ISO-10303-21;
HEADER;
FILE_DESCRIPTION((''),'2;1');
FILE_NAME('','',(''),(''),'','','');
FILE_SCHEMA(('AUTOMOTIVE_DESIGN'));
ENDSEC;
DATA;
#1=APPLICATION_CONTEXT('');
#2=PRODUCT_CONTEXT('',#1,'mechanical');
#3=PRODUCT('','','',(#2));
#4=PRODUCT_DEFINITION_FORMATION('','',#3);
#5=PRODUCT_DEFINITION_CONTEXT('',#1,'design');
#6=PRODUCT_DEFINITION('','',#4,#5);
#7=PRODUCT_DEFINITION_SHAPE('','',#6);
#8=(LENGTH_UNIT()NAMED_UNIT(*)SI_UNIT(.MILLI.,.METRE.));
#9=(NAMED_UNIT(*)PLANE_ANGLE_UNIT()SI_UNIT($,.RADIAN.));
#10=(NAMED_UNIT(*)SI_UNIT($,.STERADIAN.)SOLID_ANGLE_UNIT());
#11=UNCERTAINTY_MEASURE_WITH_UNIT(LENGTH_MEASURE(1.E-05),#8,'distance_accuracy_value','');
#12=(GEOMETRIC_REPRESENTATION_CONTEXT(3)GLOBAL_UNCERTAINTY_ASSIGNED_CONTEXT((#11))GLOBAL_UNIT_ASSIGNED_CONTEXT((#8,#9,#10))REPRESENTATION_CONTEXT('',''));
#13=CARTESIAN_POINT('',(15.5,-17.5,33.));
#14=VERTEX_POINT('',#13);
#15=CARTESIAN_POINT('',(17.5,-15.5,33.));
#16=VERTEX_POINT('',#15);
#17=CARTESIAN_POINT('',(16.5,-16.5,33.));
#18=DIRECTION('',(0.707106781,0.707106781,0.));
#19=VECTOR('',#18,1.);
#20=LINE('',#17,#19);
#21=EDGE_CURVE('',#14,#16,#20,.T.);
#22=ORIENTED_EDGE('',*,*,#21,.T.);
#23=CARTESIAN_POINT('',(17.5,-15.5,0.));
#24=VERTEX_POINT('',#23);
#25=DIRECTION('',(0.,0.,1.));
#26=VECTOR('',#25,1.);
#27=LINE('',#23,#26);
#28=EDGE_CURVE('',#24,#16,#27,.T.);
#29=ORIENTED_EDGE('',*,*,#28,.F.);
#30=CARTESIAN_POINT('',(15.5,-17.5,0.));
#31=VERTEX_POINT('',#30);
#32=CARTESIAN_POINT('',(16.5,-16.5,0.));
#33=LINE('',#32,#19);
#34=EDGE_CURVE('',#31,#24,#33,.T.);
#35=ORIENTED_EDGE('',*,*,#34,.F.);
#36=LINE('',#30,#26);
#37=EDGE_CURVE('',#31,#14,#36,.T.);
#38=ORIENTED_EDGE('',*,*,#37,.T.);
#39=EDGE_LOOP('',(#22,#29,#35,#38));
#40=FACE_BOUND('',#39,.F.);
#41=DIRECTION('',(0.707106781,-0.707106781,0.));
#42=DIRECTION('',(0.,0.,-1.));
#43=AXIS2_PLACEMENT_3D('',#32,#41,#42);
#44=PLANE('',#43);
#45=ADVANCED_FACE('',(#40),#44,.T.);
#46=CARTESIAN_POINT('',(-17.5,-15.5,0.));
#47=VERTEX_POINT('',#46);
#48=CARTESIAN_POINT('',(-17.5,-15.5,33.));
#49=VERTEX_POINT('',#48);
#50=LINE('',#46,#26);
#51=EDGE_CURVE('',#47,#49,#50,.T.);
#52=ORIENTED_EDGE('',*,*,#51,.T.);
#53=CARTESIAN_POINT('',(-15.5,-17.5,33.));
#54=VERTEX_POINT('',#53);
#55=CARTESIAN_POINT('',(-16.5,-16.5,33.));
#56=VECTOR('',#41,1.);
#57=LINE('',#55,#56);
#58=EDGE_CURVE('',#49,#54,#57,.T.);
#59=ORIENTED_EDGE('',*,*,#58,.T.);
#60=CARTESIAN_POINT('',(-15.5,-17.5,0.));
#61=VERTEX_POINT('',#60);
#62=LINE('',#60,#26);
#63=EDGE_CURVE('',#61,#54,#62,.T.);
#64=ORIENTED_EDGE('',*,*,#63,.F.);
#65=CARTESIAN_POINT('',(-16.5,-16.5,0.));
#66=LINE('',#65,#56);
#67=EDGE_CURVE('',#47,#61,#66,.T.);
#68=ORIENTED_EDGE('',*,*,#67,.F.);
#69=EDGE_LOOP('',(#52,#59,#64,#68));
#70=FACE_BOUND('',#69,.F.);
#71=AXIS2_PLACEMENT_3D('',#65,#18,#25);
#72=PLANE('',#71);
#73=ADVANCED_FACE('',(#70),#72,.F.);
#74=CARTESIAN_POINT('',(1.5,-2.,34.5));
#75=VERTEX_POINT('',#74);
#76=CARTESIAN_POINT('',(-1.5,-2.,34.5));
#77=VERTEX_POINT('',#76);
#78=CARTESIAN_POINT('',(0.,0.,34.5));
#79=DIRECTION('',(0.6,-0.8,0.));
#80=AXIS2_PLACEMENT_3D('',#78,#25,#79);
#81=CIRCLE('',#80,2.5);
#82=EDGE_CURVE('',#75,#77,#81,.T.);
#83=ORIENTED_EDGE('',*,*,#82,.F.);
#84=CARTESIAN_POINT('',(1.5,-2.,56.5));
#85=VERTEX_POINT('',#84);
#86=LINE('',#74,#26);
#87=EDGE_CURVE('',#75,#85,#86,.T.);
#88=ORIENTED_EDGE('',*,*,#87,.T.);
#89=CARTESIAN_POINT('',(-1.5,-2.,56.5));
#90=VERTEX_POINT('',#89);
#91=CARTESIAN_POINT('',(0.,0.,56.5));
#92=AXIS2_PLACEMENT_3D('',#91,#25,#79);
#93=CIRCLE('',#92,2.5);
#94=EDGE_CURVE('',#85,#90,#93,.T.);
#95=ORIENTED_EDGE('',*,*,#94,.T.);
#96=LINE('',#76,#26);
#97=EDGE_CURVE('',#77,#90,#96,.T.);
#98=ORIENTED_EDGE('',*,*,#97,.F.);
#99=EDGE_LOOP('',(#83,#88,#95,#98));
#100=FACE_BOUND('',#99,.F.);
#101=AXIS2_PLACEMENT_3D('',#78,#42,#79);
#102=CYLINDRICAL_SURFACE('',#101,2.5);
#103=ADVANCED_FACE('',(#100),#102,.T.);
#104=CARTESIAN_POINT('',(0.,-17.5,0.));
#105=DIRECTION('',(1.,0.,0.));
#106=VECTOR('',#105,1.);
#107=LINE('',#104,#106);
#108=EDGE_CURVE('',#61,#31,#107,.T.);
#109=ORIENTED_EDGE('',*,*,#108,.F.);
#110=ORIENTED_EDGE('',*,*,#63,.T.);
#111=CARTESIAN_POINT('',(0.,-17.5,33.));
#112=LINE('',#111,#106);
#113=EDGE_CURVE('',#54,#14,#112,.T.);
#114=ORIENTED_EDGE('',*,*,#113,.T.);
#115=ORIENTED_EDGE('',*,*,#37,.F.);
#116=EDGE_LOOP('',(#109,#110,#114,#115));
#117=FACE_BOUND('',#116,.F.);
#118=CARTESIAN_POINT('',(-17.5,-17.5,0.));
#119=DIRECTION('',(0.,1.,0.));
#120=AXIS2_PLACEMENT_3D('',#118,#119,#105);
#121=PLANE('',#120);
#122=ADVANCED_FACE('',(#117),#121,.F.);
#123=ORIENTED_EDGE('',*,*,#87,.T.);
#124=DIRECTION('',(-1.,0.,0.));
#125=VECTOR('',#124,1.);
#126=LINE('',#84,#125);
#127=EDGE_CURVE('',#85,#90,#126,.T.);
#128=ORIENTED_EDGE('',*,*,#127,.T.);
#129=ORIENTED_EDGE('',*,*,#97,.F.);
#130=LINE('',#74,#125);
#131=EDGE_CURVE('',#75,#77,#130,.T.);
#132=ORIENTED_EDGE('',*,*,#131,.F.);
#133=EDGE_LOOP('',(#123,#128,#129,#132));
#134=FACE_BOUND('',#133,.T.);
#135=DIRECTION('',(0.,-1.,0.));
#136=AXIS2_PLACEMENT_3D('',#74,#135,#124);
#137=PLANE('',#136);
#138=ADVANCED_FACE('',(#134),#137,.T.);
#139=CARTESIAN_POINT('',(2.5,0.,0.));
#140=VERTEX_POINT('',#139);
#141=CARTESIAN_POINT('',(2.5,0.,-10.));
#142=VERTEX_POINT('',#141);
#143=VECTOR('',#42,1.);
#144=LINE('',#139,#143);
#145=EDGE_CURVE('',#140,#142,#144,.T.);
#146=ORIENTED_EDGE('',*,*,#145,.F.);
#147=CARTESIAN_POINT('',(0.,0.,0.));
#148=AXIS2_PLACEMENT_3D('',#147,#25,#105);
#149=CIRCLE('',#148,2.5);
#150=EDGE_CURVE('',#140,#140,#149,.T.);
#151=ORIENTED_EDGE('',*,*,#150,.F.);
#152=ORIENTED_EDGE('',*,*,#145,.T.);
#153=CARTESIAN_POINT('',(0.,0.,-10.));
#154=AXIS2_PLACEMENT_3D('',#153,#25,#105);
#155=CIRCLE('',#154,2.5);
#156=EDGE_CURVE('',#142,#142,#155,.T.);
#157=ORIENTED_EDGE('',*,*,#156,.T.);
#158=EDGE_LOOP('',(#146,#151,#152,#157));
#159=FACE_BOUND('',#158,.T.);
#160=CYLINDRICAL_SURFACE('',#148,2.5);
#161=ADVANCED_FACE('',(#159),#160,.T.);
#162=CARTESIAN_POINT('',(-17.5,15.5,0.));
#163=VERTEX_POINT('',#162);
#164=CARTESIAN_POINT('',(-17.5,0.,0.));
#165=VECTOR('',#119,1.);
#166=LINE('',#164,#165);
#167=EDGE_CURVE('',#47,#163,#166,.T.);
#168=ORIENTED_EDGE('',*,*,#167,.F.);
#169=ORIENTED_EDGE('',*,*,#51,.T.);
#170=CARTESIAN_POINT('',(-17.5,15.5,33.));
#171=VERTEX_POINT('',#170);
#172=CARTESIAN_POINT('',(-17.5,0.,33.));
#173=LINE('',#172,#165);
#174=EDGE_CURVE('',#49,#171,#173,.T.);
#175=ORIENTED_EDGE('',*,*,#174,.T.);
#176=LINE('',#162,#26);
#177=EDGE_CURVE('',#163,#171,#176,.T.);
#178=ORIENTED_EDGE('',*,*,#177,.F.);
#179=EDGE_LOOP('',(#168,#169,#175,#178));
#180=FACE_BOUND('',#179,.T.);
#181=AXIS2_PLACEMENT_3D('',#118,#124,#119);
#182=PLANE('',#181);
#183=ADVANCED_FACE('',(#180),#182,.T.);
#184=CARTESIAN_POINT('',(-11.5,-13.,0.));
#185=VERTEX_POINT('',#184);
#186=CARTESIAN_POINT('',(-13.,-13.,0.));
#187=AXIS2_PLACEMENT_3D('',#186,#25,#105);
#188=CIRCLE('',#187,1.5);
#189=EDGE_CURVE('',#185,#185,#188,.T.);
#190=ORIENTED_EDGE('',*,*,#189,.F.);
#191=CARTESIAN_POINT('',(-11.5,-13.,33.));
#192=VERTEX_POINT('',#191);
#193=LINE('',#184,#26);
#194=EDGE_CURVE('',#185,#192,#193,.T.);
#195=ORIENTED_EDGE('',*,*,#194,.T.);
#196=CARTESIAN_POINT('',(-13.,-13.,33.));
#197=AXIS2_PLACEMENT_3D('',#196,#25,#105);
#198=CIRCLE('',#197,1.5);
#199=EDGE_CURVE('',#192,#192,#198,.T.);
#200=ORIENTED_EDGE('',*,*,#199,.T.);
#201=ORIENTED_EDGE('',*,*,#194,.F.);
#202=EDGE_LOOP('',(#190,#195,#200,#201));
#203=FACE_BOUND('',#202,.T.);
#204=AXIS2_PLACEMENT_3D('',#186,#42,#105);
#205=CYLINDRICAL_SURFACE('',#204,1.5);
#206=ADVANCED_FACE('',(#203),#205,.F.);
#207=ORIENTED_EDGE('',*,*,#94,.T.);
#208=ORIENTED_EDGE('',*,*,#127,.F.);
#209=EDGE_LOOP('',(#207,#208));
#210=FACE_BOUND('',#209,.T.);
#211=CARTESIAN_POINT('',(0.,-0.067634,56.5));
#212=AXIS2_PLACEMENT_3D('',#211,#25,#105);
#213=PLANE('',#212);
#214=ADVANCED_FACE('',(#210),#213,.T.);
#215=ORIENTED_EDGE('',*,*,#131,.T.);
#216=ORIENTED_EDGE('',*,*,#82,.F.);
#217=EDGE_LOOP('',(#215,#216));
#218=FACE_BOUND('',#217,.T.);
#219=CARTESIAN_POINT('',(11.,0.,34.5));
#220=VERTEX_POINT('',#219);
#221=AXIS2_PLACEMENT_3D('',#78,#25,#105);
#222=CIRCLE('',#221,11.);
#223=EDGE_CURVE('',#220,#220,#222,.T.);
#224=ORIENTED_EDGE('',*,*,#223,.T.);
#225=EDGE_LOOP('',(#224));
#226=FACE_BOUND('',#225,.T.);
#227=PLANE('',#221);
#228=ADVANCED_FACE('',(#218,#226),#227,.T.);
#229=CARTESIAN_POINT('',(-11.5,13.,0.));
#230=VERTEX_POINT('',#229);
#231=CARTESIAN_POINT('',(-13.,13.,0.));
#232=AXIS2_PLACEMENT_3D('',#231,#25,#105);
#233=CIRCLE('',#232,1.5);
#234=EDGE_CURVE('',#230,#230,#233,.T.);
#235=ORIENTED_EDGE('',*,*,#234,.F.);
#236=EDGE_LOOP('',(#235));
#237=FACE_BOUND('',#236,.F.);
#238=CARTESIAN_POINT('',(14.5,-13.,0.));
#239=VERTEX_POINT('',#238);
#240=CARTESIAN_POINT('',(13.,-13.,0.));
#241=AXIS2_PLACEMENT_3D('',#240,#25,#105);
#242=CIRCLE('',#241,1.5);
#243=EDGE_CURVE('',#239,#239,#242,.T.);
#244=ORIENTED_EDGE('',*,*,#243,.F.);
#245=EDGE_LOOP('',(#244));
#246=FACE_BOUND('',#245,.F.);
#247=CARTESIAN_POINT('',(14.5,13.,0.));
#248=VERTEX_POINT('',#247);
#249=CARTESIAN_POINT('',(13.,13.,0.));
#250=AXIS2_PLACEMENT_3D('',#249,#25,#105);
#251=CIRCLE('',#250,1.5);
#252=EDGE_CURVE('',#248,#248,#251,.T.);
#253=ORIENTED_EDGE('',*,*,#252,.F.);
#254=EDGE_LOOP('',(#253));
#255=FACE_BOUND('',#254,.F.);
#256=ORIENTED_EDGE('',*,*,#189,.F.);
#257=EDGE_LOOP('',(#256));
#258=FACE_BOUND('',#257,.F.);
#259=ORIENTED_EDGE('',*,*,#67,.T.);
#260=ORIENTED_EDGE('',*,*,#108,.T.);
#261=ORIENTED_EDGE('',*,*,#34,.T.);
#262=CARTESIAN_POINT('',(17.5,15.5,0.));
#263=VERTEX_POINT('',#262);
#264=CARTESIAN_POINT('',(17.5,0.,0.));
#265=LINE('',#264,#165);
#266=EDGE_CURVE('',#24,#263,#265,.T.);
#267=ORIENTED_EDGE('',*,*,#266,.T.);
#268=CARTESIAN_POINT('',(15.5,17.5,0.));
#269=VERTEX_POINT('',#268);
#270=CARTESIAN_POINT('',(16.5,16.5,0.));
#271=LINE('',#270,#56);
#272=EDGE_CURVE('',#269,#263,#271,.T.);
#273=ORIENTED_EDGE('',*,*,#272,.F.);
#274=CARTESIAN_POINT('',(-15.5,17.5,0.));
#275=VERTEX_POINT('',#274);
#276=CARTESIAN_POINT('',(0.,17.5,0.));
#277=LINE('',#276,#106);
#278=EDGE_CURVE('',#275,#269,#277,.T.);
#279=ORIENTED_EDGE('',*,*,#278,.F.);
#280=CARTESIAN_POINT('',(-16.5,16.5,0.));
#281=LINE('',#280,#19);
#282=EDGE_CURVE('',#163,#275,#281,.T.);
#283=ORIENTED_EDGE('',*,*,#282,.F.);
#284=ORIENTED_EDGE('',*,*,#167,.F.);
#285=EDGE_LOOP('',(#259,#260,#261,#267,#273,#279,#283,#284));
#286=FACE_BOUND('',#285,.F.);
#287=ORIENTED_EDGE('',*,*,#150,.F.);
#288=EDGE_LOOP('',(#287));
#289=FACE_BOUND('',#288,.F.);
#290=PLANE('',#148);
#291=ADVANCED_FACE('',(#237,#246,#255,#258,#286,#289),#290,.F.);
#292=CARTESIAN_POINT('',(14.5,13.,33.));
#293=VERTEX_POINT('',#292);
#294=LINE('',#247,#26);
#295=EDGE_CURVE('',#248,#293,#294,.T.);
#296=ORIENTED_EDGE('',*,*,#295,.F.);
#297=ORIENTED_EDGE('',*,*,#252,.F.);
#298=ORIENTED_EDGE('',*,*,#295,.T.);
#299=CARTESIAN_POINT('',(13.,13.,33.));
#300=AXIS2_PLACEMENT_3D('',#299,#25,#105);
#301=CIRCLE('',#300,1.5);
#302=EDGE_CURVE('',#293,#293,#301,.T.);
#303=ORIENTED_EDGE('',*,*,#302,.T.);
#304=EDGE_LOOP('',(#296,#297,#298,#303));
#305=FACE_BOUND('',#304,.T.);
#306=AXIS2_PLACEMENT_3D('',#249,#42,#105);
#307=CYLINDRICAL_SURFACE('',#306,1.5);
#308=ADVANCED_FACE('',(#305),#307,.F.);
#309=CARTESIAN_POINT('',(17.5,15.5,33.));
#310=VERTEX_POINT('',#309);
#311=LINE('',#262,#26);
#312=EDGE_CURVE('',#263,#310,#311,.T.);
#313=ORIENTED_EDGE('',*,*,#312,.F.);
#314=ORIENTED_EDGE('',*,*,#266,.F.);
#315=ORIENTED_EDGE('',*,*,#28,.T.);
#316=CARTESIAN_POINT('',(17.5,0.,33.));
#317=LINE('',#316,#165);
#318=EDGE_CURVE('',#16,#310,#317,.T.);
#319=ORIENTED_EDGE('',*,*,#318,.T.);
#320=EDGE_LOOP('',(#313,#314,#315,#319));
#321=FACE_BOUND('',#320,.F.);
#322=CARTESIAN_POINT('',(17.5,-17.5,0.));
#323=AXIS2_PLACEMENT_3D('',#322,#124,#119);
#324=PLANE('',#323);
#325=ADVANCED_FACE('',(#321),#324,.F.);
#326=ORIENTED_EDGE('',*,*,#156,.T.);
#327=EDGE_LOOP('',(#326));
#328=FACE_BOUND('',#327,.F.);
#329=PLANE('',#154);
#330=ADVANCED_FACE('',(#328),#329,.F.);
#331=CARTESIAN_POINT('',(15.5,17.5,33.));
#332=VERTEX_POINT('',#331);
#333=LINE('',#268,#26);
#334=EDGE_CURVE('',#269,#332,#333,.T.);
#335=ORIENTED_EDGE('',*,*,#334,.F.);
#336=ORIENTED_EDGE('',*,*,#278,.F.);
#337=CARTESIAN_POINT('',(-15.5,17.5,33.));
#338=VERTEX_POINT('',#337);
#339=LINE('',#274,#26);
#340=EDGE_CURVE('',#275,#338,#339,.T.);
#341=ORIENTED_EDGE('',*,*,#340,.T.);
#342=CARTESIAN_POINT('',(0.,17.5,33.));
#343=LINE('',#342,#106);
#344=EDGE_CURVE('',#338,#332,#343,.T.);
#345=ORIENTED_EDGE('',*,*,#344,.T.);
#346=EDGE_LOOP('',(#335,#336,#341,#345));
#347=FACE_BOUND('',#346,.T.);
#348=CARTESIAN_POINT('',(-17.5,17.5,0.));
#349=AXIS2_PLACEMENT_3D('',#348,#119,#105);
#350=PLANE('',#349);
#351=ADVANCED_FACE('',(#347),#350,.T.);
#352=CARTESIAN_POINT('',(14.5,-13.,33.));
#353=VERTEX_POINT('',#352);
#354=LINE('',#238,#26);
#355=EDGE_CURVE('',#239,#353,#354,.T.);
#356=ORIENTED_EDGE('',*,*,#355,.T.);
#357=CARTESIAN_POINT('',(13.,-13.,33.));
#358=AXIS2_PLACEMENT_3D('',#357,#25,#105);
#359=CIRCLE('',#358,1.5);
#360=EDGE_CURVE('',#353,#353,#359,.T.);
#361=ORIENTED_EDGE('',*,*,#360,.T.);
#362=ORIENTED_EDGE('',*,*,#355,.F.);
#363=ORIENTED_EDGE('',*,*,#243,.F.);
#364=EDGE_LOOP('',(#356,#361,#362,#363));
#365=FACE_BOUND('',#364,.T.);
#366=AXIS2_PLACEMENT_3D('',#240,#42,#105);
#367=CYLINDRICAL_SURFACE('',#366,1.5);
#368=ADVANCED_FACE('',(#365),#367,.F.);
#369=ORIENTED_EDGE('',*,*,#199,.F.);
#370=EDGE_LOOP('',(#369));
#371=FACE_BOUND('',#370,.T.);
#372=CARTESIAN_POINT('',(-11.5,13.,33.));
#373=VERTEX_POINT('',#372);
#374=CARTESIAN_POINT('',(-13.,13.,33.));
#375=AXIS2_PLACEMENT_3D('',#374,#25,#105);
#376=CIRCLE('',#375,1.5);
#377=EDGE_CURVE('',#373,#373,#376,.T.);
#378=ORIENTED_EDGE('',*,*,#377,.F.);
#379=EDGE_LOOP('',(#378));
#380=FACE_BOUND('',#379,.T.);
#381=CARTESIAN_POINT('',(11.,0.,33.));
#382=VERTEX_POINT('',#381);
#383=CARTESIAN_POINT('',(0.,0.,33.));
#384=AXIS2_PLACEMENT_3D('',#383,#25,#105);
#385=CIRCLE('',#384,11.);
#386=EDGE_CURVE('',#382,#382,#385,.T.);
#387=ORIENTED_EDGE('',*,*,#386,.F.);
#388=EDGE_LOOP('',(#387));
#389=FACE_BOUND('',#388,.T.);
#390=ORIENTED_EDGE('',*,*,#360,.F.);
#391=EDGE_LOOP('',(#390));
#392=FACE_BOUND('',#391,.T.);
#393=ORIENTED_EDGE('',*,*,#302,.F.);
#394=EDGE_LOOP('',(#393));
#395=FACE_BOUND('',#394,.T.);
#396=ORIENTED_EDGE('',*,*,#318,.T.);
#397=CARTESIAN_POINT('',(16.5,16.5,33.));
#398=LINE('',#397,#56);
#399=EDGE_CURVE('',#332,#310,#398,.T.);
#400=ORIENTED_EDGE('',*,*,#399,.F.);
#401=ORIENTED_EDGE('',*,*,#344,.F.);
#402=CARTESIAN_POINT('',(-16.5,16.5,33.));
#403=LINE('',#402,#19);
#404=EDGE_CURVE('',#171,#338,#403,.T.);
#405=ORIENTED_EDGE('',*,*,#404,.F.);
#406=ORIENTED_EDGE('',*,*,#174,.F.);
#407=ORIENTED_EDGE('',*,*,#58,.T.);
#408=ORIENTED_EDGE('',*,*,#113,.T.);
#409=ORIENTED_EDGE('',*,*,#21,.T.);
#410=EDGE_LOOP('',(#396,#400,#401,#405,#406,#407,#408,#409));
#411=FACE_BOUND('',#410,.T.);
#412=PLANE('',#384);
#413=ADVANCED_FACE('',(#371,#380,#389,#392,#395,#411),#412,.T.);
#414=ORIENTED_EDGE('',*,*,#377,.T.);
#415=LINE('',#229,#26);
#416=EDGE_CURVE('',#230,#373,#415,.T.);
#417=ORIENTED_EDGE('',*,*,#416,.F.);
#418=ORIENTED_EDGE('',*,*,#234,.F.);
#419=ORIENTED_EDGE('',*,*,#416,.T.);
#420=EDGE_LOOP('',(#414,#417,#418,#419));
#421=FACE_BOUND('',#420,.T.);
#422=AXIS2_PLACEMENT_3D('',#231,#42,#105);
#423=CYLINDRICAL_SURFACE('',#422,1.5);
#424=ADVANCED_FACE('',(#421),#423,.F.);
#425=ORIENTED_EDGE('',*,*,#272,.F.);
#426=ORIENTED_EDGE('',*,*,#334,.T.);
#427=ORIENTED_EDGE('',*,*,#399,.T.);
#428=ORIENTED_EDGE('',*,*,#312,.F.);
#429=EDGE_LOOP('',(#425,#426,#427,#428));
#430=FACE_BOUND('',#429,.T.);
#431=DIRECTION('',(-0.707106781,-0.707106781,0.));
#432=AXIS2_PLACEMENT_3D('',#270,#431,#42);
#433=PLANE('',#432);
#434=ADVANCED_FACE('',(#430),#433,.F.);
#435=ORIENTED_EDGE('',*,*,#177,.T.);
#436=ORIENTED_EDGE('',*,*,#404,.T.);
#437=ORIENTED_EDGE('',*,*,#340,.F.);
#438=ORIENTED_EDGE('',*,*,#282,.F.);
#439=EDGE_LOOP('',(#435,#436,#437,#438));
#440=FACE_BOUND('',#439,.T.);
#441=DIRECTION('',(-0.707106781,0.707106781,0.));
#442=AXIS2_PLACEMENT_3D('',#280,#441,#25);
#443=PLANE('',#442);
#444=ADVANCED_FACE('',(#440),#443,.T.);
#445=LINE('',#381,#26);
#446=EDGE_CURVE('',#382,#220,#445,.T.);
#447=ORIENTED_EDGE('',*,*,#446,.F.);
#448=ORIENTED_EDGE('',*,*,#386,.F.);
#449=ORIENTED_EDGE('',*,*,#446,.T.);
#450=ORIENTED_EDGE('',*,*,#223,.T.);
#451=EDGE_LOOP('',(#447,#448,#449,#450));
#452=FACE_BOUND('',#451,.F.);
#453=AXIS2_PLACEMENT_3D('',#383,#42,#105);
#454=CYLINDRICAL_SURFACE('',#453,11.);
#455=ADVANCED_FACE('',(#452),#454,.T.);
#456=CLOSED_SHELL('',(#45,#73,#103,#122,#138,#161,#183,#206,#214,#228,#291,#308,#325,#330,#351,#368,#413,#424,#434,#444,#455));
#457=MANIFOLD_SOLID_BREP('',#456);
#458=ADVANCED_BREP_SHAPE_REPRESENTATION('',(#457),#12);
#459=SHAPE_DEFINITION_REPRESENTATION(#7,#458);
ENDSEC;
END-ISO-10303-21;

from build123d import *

# Parameters (mm, degrees)
SKETCH003_R  = 2.5
PAD_DEPTH    = 10
SKETCH002_W  = 35
SKETCH002_H  = 35
SKETCH002_R  = 1.5
PAD001_DEPTH = 33
SKETCH004_R  = 11
PAD002_DEPTH = 1.5
PAD003_DEPTH = 22
CHAMFER_SIZE = 2


with BuildPart() as part:
    # Sketch003 → Pad (new body)
    with BuildSketch(Plane.XY):
        Circle(SKETCH003_R)
    extrude(amount=-PAD_DEPTH)

    # Sketch002 → Pad001 (new body)
    with BuildSketch(Plane.XY):
        Rectangle(SKETCH002_W, SKETCH002_H)
        with Locations((-13, 13)):
            Circle(SKETCH002_R, mode=Mode.SUBTRACT)
        with Locations((13, 13)):
            Circle(SKETCH002_R, mode=Mode.SUBTRACT)
        with Locations((13, -13)):
            Circle(SKETCH002_R, mode=Mode.SUBTRACT)
        with Locations((-13, -13)):
            Circle(SKETCH002_R, mode=Mode.SUBTRACT)
    extrude(amount=PAD001_DEPTH)

    # Sketch004 → Pad002 (new body)
    with BuildSketch(Plane.XY.offset(33)):
        Circle(SKETCH004_R)
    extrude(amount=PAD002_DEPTH)

    # Sketch005 → Pad003 (new body)
    with BuildSketch(Plane.XY.offset(34.5)):
        with BuildLine():
            ThreePointArc((1.5, -2), (0, 2.5), (-1.5, -2))
            Line((1.5, -2), (-1.5, -2))
        make_face()
    extrude(amount=PAD003_DEPTH)

    # Chamfer
    chamfer_edges = [part.edges().sort_by_distance(p)[0] for p in [
        (-17.5, -17.5, 16.5),
        (-17.5, 17.5, 16.5),
        (17.5, -17.5, 16.5),
        (17.5, 17.5, 16.5),
    ]]
    chamfer(chamfer_edges, length=CHAMFER_SIZE)


solid = part.part
